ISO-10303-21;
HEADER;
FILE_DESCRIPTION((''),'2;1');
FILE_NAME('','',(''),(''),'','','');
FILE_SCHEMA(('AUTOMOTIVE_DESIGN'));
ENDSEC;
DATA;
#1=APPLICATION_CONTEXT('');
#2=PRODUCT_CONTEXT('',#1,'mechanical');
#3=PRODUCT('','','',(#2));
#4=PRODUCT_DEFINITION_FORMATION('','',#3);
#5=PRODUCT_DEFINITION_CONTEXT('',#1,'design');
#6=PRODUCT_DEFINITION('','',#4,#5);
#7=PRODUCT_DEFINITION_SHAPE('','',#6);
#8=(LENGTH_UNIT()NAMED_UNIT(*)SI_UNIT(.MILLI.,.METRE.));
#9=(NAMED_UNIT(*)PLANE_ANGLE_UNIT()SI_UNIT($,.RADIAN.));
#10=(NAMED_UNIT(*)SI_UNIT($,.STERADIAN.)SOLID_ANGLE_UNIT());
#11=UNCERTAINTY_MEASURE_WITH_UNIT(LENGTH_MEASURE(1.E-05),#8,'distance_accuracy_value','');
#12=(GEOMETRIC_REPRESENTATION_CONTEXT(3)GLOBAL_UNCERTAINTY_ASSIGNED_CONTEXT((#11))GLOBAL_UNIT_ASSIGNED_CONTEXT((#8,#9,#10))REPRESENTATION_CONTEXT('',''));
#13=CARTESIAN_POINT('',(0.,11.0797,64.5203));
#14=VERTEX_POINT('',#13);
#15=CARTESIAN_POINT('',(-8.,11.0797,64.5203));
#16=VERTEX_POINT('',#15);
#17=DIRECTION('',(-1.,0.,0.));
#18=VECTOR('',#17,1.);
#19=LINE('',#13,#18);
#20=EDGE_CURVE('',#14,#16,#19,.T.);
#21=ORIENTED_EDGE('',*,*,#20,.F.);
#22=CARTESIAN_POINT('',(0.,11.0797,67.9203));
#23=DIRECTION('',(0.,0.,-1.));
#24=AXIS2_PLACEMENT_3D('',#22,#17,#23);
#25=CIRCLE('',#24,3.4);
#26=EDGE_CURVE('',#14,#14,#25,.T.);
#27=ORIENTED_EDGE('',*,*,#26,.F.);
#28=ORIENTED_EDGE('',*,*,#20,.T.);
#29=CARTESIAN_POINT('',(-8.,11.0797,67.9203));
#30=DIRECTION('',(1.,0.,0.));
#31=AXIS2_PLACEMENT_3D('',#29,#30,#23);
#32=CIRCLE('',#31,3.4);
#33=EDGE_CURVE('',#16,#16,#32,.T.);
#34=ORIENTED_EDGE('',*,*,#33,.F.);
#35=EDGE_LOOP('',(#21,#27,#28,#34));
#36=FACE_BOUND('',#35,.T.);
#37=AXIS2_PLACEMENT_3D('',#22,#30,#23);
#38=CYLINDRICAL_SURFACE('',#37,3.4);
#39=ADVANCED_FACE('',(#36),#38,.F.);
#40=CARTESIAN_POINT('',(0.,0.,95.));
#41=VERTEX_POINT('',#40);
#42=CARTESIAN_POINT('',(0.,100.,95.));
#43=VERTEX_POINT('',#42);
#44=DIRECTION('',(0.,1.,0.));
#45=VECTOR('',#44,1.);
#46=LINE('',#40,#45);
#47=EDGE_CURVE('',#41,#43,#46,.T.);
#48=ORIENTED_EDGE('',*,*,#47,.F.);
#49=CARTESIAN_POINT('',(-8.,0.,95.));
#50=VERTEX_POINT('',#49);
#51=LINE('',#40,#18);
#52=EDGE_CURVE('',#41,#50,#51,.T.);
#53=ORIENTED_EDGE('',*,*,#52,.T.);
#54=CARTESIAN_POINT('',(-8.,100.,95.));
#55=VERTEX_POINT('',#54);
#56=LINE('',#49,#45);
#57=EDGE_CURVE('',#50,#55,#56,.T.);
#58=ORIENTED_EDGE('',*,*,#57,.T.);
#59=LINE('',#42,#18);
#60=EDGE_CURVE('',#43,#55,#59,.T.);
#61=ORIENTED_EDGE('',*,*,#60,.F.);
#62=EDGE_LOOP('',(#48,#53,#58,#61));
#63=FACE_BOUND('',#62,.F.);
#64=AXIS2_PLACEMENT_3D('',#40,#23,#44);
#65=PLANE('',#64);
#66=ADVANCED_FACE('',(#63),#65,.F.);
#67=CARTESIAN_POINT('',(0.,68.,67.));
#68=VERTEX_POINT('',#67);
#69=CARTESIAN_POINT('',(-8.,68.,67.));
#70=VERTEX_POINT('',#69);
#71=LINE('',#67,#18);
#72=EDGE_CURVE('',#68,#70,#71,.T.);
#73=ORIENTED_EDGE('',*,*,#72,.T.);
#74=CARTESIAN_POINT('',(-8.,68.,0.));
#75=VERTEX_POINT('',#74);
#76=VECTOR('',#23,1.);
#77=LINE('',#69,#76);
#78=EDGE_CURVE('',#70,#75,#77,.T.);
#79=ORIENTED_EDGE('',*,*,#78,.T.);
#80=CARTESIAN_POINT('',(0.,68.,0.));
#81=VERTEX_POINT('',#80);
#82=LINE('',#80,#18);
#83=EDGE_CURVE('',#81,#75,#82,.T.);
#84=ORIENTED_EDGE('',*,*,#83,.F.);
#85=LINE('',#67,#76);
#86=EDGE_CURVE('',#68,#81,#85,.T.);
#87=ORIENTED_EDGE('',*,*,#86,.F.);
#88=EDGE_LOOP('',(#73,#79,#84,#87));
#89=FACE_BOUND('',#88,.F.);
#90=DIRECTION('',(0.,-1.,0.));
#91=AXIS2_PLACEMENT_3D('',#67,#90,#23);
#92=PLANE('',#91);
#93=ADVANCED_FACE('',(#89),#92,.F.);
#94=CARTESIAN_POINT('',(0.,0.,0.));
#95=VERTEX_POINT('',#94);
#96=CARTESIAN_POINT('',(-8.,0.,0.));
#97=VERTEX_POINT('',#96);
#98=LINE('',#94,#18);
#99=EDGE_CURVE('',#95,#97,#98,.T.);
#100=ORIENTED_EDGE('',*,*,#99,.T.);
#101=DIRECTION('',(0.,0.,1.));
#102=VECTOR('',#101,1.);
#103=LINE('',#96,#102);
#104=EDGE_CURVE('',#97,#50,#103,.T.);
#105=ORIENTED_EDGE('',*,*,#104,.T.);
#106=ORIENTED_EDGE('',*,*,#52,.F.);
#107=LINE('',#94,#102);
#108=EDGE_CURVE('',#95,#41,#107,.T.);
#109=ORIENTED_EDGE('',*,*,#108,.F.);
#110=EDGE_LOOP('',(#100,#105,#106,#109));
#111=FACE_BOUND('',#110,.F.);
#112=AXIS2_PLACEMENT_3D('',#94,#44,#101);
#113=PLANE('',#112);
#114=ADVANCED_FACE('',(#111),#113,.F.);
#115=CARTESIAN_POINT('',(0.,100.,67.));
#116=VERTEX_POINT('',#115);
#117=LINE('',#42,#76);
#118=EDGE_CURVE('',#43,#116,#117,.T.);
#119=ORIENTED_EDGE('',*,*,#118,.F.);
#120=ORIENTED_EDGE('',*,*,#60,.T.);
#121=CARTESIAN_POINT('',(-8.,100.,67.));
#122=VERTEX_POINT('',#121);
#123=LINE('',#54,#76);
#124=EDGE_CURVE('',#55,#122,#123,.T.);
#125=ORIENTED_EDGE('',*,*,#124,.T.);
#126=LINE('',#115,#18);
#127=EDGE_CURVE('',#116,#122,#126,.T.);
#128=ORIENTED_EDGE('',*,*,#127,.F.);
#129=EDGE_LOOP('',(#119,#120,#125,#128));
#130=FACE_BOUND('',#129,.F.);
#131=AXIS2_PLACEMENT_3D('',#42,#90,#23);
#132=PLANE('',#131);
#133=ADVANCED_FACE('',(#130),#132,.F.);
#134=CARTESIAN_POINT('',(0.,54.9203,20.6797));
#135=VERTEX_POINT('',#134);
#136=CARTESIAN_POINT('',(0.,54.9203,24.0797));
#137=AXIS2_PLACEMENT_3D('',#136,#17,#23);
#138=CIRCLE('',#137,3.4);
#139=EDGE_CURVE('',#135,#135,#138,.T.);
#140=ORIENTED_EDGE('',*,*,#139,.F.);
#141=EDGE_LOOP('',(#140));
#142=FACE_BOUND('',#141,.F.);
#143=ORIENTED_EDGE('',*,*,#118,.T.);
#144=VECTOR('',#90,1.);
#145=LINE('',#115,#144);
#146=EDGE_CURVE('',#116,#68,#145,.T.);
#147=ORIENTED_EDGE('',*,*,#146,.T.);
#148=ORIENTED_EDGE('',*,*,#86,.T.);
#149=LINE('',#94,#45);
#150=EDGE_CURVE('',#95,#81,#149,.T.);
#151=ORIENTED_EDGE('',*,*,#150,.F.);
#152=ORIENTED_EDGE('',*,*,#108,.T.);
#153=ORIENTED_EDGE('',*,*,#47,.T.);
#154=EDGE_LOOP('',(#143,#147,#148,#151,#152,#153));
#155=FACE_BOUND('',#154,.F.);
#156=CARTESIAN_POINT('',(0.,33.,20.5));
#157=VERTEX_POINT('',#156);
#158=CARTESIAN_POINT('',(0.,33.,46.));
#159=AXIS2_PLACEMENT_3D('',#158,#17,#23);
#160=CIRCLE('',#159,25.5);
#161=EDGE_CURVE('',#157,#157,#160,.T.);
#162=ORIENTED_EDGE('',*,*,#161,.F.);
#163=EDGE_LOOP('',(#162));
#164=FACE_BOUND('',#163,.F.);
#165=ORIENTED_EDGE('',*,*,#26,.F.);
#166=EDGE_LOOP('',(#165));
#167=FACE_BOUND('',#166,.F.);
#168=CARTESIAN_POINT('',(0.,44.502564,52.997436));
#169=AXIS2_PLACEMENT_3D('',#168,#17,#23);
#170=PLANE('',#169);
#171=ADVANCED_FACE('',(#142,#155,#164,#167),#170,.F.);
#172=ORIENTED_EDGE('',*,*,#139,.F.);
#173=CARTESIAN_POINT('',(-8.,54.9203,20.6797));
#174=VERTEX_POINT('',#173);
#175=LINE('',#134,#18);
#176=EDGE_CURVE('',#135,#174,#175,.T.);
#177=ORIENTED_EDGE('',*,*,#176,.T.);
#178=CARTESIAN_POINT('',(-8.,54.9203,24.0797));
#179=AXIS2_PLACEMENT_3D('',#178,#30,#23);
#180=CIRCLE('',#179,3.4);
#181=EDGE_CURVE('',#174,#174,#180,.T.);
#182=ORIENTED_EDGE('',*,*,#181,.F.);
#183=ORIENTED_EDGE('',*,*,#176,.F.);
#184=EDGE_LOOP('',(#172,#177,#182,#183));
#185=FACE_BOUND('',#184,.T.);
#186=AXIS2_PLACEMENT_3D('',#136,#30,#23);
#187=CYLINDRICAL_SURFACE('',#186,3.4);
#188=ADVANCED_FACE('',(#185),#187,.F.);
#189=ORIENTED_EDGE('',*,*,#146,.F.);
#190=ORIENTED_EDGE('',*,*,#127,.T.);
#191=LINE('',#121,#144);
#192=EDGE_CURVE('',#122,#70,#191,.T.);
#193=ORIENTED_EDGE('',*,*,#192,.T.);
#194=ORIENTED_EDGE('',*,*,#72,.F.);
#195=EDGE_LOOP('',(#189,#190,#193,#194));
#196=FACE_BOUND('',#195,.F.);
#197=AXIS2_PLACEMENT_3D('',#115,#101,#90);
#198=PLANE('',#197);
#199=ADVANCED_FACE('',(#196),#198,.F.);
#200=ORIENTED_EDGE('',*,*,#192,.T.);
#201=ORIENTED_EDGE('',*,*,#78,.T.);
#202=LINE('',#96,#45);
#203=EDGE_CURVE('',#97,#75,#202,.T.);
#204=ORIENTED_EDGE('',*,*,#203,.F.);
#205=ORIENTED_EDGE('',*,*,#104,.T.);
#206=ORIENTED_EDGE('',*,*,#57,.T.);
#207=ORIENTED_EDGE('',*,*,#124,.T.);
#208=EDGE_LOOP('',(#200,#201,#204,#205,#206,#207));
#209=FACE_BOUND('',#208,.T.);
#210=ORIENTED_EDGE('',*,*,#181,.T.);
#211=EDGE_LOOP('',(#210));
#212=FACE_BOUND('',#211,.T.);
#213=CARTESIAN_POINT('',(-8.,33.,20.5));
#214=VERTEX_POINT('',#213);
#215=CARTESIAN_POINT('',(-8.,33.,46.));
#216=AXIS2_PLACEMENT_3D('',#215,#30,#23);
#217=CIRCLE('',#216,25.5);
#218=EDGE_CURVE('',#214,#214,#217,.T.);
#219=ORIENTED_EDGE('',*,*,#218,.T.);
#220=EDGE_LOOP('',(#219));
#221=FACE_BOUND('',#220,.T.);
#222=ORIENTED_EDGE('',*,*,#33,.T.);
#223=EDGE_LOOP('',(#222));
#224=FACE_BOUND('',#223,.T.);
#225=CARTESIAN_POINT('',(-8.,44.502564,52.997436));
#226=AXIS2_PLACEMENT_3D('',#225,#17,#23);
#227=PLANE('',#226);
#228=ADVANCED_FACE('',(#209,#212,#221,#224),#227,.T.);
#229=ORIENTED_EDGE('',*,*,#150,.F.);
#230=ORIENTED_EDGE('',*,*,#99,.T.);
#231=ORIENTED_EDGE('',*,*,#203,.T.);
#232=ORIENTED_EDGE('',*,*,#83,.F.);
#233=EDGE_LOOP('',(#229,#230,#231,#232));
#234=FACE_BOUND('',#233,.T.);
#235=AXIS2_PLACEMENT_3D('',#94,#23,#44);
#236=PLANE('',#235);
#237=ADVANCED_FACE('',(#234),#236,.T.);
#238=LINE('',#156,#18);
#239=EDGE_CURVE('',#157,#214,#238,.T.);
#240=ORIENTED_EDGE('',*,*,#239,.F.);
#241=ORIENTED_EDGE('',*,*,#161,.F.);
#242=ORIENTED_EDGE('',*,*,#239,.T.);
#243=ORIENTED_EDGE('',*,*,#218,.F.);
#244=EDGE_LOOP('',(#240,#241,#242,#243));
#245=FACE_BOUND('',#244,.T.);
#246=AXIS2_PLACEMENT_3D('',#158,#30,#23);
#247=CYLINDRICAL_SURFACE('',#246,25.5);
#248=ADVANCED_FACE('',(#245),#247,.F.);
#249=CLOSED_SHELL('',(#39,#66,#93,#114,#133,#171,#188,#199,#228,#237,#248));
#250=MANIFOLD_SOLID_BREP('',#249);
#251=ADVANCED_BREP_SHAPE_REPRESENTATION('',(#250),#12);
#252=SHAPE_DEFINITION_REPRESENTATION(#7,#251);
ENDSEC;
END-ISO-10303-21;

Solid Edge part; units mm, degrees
sketch "Sketch1" plane through (0, 0, 0) normal (1, 0, 0) x (0, 1, 0)
  line L0 (0, 0) -> (0, 95)
  line L1 (0, 95) -> (100, 95)
  line L2 (100, 95) -> (100, 67)
  line L3 (100, 67) -> (68, 67)
  line L4 (68, 67) -> (68, 0)
  line L5 (0, 0) -> (68, 0)
  dimension "D1" = 95
extrude "Protrusion1" add sketch "Sketch1" against normal blind 8
hole "Hole_1" at (0, 33, 46) direction (-1, 0, 0) diameter 51 end through all
hole "Hole1" at (0, 54.9203, 24.0797) direction (-1, 0, 0) diameter 6.8 end through all
hole "Hole2" at (0, 11.0797, 67.9203) direction (-1, 0, 0) diameter 6.8 end through all
properties part number "88823"
